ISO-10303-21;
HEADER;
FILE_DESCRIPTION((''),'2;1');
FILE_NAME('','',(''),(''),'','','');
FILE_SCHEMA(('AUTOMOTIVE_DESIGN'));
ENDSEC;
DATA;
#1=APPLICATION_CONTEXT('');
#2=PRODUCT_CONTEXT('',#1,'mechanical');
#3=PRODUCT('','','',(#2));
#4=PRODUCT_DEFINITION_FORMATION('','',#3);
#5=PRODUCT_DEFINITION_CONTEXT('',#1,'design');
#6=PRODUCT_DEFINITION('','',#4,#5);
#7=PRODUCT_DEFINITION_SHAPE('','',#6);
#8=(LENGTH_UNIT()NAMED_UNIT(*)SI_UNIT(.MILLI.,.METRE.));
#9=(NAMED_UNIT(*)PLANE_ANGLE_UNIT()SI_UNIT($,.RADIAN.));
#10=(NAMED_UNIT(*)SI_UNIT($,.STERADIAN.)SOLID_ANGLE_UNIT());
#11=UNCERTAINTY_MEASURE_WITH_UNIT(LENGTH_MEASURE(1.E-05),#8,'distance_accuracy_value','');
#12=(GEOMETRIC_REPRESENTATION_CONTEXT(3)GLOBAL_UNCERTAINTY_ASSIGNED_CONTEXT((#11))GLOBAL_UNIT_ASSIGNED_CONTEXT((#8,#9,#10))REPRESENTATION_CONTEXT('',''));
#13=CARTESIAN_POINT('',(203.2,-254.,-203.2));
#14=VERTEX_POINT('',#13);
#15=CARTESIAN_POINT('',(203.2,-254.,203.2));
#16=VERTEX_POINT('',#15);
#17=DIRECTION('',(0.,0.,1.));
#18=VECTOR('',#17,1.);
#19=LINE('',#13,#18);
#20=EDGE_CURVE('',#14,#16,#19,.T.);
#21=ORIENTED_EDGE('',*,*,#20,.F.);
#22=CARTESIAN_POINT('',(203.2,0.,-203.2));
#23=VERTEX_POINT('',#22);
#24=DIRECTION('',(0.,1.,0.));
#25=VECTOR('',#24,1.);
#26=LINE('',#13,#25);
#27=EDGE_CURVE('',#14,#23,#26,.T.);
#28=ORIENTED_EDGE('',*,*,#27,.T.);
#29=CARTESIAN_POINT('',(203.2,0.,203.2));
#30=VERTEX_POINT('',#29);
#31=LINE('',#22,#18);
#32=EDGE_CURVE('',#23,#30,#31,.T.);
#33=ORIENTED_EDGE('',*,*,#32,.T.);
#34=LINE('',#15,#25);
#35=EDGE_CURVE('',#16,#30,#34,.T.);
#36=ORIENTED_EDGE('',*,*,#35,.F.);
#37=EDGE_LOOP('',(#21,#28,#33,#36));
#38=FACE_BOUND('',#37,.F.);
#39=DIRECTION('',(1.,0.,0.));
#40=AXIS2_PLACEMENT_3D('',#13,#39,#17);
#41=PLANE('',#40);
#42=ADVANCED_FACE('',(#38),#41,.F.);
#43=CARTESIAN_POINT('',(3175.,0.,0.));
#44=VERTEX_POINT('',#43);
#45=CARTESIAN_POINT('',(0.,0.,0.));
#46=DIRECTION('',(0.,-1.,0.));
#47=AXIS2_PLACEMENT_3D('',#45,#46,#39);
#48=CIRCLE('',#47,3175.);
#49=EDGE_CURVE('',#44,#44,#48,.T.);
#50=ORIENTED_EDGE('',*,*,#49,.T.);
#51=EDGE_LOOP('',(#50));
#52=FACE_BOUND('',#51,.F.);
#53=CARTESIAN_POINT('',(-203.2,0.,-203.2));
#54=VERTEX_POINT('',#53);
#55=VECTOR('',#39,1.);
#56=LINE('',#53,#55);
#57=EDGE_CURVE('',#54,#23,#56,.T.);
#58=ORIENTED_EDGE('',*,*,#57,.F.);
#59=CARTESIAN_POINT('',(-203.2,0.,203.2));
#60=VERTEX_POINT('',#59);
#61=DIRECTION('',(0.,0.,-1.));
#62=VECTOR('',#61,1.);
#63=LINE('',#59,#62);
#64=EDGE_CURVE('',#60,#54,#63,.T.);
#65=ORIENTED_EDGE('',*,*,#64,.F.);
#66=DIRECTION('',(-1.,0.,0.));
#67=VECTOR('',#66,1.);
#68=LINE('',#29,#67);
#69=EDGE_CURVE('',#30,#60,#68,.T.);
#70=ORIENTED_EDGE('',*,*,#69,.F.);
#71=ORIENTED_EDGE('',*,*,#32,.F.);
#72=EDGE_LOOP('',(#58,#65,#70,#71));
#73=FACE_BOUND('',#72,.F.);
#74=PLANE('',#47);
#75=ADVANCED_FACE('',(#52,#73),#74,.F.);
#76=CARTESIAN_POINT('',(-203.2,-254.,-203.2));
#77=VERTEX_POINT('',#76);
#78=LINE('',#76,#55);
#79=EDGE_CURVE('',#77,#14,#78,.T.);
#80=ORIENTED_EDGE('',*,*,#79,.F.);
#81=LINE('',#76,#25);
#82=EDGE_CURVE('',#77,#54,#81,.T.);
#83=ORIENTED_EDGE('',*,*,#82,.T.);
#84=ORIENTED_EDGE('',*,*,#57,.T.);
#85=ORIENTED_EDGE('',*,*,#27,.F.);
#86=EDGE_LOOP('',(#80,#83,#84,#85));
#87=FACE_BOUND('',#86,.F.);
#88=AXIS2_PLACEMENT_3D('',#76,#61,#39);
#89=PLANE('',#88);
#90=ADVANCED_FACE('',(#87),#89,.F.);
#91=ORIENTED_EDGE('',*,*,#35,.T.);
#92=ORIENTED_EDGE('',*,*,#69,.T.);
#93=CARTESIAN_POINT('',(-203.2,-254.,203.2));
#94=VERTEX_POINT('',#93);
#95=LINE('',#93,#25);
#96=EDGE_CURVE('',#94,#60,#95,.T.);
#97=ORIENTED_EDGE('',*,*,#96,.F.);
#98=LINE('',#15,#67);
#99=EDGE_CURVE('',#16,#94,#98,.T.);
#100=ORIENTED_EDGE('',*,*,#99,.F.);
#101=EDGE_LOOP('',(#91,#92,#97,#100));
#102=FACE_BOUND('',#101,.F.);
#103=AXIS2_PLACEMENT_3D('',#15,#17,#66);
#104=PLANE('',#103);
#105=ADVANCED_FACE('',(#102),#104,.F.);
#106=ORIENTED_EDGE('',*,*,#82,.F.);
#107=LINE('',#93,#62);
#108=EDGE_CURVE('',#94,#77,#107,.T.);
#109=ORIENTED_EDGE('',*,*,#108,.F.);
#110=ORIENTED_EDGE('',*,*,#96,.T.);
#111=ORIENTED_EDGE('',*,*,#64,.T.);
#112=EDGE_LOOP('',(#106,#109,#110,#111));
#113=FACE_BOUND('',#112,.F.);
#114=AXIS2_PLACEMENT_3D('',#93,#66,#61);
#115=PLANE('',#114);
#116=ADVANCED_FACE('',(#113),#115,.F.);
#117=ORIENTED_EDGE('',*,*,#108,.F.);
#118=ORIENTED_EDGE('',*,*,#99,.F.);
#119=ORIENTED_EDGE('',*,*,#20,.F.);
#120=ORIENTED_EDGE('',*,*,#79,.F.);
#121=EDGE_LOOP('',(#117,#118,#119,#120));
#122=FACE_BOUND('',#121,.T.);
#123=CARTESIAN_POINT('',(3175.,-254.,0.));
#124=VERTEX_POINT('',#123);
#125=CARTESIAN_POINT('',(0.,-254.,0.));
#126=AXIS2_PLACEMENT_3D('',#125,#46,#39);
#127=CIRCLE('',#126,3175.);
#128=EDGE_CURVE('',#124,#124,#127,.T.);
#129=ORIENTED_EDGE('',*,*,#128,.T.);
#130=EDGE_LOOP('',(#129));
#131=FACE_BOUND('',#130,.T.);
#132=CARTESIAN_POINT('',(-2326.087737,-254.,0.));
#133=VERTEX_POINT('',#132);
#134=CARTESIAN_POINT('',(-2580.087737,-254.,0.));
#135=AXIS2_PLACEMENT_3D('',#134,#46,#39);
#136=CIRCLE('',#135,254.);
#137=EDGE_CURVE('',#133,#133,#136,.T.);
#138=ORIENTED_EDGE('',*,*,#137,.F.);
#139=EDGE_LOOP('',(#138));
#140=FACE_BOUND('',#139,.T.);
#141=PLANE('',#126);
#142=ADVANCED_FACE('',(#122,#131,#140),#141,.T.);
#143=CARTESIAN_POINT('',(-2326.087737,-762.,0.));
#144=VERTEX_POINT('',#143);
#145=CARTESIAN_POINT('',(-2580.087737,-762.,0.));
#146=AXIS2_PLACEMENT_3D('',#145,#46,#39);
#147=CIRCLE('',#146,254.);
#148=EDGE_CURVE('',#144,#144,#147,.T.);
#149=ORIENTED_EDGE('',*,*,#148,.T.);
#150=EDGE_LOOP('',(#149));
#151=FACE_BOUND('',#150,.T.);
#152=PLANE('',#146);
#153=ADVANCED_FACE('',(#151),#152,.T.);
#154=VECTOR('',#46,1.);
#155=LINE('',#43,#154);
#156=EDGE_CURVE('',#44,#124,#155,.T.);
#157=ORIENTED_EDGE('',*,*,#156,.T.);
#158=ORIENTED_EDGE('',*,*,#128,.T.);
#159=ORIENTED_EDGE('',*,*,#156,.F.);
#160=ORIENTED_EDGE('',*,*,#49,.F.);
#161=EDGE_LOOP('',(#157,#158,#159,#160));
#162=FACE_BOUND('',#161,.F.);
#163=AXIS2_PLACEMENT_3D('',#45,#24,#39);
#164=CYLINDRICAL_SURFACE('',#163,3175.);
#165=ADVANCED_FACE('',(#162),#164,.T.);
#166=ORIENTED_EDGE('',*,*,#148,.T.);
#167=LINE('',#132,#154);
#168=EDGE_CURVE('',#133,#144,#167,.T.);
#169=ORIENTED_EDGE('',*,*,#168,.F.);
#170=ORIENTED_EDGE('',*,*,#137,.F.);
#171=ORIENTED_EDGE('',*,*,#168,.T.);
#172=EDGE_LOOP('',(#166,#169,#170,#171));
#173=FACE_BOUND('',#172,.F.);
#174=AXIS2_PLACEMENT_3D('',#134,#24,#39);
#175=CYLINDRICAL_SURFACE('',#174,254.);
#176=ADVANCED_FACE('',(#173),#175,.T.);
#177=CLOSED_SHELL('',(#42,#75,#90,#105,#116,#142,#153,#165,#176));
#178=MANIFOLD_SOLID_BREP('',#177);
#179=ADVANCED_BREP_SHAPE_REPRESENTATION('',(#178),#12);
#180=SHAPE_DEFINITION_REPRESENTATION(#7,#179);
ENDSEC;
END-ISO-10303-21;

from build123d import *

# Parameters (mm, degrees)
F0_R     = 3175
F1_DEPTH = 254
F2_R     = 254
F3_DEPTH = 508
F5_DEPTH = 254


with BuildPart() as f1:
    # F0 (on Front) → F1 (new body)
    with BuildSketch(Plane.XZ):
        Circle(F0_R)
    extrude(amount=F1_DEPTH)

    # F2 (on face) → F3 (join)
    with BuildSketch(Plane.XZ.offset(254)):
        with Locations((-2580.087737, 0)):
            Circle(F2_R)
    extrude(amount=F3_DEPTH)

    # F4 (on face) → F5 (cut)
    with BuildSketch(Plane.XZ.offset(254)):
        Polygon((203.2, 203.2), (0, 203.2), (-203.2, 203.2), (-203.2, -203.2), (203.2, -203.2), align=None)
    extrude(amount=-F5_DEPTH, mode=Mode.SUBTRACT)


solid = f1.part
